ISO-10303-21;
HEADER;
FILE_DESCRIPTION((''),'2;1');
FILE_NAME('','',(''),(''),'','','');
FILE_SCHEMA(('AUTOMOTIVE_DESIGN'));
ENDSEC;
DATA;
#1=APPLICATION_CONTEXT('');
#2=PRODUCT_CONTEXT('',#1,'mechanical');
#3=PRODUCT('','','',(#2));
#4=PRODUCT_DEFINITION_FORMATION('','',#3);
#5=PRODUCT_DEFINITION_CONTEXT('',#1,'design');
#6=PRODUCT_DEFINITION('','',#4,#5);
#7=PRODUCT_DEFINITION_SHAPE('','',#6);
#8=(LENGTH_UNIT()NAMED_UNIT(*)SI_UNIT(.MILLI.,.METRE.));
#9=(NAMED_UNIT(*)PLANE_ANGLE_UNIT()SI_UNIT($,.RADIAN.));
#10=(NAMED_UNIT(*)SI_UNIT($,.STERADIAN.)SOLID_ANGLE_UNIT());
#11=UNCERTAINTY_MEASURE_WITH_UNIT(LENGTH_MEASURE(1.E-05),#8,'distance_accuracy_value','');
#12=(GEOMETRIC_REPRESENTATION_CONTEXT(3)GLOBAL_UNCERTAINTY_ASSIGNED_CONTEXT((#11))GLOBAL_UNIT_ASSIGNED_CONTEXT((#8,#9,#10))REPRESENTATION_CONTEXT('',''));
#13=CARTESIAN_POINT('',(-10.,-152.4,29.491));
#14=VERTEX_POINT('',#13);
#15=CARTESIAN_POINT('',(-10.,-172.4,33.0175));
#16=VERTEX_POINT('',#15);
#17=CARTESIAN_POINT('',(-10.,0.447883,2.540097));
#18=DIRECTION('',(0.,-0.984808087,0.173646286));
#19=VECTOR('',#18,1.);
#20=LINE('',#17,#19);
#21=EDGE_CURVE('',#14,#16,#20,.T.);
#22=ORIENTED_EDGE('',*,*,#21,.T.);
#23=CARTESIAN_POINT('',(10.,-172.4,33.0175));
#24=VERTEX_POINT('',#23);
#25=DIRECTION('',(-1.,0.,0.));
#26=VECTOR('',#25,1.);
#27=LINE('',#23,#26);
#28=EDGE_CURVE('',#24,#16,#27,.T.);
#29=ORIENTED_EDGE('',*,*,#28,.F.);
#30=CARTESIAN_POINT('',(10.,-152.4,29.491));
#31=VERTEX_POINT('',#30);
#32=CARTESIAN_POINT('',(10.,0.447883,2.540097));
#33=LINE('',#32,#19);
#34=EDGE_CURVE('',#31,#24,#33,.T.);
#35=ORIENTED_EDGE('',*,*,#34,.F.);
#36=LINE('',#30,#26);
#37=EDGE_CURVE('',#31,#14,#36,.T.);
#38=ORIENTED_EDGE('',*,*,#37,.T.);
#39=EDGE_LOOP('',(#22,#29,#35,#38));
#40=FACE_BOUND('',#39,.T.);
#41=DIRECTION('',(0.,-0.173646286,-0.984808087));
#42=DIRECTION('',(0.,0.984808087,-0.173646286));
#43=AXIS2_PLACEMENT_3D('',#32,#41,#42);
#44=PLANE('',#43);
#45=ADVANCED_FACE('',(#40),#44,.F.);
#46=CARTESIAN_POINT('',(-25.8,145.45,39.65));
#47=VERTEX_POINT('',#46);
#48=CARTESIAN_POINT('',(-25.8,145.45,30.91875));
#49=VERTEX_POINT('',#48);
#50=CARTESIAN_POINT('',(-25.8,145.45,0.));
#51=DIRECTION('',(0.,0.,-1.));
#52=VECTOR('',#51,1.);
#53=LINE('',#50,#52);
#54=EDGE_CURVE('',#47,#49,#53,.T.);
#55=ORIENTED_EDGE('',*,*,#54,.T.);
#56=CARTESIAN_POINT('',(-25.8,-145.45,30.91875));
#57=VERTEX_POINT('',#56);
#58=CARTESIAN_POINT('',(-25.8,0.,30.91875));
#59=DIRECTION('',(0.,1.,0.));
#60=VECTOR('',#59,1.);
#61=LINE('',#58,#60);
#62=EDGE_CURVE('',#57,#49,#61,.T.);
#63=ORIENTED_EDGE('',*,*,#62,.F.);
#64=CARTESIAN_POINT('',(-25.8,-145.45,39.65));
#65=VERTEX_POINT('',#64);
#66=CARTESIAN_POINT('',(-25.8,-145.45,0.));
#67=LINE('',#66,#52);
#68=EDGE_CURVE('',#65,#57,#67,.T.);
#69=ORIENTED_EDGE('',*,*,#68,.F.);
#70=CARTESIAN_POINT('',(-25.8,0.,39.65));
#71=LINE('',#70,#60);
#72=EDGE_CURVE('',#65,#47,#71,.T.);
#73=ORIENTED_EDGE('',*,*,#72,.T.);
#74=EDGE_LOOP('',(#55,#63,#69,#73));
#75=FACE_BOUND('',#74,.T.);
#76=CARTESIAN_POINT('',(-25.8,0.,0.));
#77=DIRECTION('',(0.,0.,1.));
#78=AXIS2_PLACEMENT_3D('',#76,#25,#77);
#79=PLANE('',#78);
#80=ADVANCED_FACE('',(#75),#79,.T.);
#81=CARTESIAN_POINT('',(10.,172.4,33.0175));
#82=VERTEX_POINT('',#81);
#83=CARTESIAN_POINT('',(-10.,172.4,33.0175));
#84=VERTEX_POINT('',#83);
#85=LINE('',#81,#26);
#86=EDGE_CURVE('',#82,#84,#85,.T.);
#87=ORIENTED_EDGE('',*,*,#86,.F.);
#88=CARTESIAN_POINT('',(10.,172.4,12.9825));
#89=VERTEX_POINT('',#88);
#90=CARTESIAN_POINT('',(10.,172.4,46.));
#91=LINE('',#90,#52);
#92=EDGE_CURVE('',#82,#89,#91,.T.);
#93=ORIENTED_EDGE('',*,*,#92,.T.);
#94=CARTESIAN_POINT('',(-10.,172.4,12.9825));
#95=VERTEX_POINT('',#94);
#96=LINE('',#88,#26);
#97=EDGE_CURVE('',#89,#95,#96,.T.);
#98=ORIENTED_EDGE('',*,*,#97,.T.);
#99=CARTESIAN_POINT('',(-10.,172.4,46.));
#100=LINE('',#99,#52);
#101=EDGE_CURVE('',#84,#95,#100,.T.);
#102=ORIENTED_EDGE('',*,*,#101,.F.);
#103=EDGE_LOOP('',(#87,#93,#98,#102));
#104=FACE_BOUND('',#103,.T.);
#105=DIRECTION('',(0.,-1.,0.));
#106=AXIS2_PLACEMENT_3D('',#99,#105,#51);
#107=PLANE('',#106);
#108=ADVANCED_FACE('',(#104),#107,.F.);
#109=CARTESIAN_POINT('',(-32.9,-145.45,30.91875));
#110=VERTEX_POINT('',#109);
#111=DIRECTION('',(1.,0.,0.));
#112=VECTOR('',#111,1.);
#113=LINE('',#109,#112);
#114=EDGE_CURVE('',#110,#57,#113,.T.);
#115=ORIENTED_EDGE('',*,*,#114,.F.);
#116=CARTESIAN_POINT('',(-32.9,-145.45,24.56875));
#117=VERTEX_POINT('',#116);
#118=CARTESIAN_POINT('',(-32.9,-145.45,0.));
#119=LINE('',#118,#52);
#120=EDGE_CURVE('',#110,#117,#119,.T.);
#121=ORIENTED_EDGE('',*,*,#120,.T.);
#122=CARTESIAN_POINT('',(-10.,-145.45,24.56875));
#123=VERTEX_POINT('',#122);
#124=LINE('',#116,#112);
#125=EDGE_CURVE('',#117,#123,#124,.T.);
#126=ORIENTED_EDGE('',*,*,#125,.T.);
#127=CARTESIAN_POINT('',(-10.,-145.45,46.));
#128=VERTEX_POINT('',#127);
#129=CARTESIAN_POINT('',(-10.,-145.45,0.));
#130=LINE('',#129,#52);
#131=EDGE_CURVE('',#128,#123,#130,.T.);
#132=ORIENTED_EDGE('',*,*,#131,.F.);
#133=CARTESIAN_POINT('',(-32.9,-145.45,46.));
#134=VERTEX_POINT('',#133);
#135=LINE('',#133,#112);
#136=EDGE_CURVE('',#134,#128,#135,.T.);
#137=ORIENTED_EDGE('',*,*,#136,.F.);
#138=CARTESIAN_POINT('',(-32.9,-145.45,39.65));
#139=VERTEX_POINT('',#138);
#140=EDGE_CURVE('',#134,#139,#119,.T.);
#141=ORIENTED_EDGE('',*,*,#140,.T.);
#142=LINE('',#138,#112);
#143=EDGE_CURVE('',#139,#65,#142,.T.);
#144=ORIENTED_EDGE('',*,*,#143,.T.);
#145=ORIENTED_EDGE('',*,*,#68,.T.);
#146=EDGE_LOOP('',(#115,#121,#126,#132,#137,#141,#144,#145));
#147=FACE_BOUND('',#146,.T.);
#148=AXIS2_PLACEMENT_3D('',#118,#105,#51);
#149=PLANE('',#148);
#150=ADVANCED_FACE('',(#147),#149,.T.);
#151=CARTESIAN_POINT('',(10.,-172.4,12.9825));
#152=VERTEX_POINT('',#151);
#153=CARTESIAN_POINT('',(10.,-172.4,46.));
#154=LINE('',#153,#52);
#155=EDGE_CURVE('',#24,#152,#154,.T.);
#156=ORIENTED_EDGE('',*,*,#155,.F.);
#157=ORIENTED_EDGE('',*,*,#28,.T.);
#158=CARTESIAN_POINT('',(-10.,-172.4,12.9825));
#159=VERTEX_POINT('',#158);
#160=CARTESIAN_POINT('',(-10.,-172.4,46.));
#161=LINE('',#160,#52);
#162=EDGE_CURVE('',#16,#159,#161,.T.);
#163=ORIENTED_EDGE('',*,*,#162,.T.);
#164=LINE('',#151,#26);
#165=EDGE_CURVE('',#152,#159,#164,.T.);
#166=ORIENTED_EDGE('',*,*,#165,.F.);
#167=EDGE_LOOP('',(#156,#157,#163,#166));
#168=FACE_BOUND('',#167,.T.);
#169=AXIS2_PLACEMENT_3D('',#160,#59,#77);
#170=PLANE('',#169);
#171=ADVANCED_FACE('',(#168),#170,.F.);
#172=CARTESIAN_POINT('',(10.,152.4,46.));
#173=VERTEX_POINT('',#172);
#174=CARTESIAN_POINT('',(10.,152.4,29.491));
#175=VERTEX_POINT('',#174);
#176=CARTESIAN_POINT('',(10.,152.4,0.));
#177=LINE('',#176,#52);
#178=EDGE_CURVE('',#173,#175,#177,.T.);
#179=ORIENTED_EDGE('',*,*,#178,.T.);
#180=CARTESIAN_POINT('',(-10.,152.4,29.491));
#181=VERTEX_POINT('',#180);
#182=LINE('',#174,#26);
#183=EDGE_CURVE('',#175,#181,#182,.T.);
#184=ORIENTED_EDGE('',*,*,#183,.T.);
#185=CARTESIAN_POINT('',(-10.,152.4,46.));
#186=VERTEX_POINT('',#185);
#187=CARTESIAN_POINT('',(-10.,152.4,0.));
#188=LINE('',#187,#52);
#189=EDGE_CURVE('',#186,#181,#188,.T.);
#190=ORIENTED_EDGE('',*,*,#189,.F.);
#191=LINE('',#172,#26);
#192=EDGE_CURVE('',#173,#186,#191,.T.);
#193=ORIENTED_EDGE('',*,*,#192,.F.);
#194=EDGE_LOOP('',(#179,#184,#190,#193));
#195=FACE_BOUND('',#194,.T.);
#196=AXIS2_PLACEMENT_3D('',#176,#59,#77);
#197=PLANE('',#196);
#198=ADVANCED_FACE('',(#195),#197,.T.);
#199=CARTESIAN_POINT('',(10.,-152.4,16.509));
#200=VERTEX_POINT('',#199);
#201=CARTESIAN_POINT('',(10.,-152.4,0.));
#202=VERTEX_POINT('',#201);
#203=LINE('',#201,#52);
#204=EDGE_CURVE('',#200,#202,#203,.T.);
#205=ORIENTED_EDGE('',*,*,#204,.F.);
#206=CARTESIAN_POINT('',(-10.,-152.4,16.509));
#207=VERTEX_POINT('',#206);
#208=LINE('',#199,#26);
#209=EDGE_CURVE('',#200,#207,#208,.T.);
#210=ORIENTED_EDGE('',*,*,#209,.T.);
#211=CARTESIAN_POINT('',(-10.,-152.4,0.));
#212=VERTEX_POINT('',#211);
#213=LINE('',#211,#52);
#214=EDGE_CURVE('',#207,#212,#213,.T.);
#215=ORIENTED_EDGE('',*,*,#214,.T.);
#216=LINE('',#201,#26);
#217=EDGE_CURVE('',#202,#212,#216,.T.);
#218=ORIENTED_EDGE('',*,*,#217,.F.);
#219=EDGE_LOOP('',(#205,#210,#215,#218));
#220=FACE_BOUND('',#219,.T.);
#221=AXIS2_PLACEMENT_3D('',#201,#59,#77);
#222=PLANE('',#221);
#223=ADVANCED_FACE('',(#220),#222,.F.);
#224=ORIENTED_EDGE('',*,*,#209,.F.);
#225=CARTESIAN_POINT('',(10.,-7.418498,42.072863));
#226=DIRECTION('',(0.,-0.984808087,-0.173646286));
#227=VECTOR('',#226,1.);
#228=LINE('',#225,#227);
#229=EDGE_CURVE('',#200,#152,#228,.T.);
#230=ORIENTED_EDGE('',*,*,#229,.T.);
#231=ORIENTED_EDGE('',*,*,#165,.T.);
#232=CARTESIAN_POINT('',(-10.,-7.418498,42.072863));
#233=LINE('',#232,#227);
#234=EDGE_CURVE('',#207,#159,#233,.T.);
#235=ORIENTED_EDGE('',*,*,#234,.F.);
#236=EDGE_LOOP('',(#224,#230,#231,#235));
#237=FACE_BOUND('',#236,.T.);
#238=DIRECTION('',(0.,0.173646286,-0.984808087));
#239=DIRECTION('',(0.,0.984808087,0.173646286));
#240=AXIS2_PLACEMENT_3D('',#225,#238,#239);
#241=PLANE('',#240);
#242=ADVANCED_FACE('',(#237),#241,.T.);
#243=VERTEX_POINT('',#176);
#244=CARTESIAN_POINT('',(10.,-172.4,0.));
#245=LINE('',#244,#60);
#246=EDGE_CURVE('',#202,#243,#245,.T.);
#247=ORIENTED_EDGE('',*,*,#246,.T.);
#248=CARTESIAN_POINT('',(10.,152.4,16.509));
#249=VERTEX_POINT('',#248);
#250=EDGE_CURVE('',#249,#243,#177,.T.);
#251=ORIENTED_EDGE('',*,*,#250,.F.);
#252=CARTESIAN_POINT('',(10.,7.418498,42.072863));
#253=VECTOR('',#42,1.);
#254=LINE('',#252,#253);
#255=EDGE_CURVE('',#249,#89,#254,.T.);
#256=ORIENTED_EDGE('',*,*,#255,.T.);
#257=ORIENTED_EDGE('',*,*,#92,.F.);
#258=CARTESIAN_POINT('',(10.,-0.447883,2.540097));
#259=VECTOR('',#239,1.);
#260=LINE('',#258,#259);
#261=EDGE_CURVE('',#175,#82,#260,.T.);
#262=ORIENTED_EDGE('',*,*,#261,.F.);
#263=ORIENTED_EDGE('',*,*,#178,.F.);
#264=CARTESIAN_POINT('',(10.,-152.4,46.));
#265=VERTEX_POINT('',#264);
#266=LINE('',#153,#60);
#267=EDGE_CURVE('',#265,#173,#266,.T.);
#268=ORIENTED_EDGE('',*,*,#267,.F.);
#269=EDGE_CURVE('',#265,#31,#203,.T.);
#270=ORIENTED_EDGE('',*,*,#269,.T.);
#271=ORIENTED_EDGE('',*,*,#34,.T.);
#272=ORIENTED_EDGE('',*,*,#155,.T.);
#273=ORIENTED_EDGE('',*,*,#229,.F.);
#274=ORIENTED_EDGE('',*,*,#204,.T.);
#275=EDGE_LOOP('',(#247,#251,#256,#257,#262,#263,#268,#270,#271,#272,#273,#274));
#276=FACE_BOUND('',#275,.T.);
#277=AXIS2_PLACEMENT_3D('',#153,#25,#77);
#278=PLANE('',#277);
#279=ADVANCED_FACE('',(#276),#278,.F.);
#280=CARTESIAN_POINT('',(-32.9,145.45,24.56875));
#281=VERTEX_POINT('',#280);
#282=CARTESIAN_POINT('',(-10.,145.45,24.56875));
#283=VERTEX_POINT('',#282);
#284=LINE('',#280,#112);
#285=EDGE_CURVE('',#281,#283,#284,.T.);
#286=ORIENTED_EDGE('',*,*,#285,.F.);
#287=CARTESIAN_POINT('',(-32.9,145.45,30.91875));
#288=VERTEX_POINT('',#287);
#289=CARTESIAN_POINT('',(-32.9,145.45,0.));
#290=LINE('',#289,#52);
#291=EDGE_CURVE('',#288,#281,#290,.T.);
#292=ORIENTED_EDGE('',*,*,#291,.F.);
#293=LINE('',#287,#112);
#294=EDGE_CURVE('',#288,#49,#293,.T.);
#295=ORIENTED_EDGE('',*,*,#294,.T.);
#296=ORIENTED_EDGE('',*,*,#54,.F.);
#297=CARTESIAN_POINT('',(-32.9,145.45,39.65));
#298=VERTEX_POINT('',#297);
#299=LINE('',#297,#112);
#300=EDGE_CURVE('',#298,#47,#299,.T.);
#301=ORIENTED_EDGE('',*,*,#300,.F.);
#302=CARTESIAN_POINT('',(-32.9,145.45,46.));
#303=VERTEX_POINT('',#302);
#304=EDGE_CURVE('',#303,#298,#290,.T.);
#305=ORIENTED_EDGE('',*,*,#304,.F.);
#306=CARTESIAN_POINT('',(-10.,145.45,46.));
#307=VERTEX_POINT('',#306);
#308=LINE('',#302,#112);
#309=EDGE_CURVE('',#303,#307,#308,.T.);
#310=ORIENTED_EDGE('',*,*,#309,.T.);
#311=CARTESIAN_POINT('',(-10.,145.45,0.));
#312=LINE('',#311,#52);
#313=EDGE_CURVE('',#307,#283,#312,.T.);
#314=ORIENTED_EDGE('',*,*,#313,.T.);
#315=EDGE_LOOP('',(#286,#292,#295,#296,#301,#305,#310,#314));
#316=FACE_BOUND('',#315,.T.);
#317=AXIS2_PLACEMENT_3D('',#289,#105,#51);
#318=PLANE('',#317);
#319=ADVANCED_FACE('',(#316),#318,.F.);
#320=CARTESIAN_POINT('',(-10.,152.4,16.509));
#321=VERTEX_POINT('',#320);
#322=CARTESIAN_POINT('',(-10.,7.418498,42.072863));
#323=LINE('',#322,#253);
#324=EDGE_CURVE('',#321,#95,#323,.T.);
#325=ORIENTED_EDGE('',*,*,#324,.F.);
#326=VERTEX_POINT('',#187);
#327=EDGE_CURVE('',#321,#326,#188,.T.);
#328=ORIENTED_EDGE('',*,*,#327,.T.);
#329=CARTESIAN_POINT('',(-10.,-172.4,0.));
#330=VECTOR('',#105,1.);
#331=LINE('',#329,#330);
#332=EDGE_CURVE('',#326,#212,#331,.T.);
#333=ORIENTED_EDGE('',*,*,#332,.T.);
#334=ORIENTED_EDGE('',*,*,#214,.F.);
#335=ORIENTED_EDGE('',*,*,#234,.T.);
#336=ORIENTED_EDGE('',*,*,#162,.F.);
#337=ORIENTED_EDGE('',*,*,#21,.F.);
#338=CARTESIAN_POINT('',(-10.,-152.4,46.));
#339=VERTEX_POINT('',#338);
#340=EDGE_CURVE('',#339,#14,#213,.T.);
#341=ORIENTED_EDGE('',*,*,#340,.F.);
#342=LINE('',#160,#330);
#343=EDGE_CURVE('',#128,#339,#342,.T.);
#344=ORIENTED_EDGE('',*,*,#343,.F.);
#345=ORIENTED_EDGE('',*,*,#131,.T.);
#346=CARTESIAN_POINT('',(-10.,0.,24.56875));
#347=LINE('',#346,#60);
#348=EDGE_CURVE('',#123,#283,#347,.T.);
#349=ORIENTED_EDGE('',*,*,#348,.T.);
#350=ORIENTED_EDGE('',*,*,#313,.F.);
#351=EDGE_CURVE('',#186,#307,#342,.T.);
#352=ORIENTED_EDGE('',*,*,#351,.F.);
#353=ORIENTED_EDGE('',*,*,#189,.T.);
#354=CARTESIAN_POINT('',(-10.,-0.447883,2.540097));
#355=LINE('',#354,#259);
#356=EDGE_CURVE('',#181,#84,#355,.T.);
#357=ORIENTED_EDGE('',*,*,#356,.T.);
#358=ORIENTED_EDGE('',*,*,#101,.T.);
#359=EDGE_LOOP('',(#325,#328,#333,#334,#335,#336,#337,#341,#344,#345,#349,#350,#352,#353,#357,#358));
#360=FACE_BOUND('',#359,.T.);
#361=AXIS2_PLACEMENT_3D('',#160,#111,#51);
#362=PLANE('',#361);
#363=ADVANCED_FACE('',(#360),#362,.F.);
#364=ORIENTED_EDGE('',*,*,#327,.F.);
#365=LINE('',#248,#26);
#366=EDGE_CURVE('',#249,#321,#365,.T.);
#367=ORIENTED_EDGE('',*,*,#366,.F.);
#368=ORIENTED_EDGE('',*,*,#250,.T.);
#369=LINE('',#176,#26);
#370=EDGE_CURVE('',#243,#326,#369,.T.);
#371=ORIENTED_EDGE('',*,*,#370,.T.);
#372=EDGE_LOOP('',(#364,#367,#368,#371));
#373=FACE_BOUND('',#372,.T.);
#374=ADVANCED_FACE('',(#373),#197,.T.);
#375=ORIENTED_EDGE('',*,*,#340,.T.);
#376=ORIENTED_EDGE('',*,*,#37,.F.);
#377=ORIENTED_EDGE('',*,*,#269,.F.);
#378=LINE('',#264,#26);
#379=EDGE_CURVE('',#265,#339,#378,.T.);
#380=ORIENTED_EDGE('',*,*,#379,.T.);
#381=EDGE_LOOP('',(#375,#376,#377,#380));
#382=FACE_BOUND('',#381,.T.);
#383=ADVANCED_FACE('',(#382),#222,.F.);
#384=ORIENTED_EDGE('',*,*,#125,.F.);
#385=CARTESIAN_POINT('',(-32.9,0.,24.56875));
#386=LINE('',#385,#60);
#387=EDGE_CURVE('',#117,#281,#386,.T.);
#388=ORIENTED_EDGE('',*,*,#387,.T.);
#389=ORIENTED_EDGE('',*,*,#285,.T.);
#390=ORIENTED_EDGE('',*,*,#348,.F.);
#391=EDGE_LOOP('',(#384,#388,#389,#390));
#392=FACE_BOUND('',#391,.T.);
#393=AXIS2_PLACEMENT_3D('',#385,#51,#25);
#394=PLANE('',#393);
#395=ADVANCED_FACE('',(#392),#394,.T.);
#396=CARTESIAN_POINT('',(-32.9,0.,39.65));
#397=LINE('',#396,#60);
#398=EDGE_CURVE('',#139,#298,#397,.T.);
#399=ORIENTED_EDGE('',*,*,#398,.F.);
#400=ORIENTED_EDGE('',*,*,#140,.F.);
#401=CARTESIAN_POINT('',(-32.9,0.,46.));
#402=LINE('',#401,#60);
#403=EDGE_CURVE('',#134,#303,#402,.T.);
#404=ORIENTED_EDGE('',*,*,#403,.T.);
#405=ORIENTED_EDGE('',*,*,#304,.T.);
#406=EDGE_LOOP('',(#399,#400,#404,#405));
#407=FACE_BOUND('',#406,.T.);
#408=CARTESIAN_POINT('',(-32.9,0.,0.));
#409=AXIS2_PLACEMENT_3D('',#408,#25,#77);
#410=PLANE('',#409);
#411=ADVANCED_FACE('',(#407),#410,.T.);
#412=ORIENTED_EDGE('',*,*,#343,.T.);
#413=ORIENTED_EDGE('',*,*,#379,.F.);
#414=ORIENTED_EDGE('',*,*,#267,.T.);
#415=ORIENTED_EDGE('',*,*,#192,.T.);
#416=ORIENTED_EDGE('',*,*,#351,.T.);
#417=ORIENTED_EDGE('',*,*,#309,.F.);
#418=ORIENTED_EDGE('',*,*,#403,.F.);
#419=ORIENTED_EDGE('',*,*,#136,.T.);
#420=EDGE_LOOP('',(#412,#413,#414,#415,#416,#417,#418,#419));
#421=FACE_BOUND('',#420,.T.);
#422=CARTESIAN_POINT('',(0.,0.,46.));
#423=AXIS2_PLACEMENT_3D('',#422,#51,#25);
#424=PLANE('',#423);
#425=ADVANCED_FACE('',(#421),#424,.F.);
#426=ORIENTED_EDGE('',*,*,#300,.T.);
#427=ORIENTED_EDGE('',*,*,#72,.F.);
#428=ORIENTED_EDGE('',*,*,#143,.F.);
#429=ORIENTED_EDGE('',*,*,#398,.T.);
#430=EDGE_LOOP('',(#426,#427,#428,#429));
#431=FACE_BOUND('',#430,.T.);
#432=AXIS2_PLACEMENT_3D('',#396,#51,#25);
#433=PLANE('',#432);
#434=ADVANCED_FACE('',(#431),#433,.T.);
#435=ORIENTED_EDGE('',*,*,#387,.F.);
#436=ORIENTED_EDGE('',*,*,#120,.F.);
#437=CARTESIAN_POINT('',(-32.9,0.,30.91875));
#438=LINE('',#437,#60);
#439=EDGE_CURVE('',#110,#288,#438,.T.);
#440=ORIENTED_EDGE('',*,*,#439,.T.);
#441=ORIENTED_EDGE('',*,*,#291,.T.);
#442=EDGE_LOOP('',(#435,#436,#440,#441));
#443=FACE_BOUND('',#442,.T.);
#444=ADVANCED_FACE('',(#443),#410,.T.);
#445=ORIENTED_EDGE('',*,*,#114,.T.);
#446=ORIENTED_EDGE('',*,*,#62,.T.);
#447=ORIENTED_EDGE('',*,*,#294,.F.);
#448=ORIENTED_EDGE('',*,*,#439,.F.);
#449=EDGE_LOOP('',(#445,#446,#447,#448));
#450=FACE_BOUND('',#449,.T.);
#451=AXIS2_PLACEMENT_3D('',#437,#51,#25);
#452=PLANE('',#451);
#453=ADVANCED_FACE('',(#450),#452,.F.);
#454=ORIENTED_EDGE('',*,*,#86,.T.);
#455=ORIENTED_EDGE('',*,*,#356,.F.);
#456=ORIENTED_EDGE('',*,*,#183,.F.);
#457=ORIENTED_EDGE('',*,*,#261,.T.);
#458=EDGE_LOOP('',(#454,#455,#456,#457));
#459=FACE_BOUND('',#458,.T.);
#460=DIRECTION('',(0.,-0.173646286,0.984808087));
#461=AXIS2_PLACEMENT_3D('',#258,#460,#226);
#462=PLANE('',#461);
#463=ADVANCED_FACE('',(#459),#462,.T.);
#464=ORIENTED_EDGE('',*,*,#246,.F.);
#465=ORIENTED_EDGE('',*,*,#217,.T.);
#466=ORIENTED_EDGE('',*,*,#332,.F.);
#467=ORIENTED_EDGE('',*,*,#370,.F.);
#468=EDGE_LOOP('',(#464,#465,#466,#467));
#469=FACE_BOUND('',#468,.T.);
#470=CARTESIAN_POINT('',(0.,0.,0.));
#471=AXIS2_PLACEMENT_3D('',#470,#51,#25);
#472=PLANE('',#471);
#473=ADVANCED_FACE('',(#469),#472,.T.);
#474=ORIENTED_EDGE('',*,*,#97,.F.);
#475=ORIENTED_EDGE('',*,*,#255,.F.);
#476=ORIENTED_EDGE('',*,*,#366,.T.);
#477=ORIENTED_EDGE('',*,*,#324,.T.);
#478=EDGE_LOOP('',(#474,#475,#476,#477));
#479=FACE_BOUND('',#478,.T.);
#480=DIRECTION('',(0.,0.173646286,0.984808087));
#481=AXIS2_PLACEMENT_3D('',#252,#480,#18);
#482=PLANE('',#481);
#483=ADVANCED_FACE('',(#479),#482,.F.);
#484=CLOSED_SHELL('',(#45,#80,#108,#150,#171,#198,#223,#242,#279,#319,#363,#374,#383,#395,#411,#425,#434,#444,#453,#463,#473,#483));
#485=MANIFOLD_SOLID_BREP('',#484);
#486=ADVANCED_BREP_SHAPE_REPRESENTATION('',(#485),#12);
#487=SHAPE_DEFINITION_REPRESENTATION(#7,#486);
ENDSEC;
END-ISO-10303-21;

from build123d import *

# Parameters (mm, degrees)
SKETCH1_W           = 20
SKETCH1_H           = 344.8
BOSS_EXTRUDE1_DEPTH = 46
SKETCH2_W           = 6.35
SKETCH2_H           = 290.9
BOSS_EXTRUDE2_DEPTH = 22.9
CUT_EXTRUDE1_DEPTH  = 20
SKETCH2_3_W         = 8.73125
SKETCH2_3_H         = 290.9
BOSS_EXTRUDE3_DEPTH = 15.8


with BuildPart() as part:
    # Sketch1 → Boss-Extrude1 (new body)
    with BuildSketch(Plane.XY):
        Rectangle(SKETCH1_W, SKETCH1_H)
    extrude(amount=BOSS_EXTRUDE1_DEPTH)

    # Sketch2 → Boss-Extrude2 (add)
    with BuildSketch(Plane.ZY.offset(10)):
        with Locations((42.825, 0)):
            Rectangle(SKETCH2_W, SKETCH2_H)
        with Locations((27.74375, 0)):
            Rectangle(SKETCH2_W, SKETCH2_H)
    extrude(amount=BOSS_EXTRUDE2_DEPTH)

    # Sketch3 → Cut-Extrude1 (cut)
    with BuildSketch(Plane.ZY.offset(10)):
        Polygon((46, -172.4), (46, -152.4), (29.491, -152.4), (33.0175, -172.4), align=None)
        Polygon((0, 172.4), (0, 152.4), (16.509, 152.4), (12.9825, 172.4), align=None)
        Polygon((12.9825, -172.4), (16.509, -152.4), (0, -152.4), (0, -172.4), align=None)
        Polygon((33.0175, 172.4), (29.491, 152.4), (46, 152.4), (46, 172.4), align=None)
    extrude(amount=-CUT_EXTRUDE1_DEPTH, mode=Mode.SUBTRACT)

    # Sketch2<3> → Boss-Extrude3 (add)
    with BuildSketch(Plane.ZY.offset(10)):
        with Locations((35.284375, 0)):
            Rectangle(SKETCH2_3_W, SKETCH2_3_H)
    extrude(amount=BOSS_EXTRUDE3_DEPTH)


solid = part.part
